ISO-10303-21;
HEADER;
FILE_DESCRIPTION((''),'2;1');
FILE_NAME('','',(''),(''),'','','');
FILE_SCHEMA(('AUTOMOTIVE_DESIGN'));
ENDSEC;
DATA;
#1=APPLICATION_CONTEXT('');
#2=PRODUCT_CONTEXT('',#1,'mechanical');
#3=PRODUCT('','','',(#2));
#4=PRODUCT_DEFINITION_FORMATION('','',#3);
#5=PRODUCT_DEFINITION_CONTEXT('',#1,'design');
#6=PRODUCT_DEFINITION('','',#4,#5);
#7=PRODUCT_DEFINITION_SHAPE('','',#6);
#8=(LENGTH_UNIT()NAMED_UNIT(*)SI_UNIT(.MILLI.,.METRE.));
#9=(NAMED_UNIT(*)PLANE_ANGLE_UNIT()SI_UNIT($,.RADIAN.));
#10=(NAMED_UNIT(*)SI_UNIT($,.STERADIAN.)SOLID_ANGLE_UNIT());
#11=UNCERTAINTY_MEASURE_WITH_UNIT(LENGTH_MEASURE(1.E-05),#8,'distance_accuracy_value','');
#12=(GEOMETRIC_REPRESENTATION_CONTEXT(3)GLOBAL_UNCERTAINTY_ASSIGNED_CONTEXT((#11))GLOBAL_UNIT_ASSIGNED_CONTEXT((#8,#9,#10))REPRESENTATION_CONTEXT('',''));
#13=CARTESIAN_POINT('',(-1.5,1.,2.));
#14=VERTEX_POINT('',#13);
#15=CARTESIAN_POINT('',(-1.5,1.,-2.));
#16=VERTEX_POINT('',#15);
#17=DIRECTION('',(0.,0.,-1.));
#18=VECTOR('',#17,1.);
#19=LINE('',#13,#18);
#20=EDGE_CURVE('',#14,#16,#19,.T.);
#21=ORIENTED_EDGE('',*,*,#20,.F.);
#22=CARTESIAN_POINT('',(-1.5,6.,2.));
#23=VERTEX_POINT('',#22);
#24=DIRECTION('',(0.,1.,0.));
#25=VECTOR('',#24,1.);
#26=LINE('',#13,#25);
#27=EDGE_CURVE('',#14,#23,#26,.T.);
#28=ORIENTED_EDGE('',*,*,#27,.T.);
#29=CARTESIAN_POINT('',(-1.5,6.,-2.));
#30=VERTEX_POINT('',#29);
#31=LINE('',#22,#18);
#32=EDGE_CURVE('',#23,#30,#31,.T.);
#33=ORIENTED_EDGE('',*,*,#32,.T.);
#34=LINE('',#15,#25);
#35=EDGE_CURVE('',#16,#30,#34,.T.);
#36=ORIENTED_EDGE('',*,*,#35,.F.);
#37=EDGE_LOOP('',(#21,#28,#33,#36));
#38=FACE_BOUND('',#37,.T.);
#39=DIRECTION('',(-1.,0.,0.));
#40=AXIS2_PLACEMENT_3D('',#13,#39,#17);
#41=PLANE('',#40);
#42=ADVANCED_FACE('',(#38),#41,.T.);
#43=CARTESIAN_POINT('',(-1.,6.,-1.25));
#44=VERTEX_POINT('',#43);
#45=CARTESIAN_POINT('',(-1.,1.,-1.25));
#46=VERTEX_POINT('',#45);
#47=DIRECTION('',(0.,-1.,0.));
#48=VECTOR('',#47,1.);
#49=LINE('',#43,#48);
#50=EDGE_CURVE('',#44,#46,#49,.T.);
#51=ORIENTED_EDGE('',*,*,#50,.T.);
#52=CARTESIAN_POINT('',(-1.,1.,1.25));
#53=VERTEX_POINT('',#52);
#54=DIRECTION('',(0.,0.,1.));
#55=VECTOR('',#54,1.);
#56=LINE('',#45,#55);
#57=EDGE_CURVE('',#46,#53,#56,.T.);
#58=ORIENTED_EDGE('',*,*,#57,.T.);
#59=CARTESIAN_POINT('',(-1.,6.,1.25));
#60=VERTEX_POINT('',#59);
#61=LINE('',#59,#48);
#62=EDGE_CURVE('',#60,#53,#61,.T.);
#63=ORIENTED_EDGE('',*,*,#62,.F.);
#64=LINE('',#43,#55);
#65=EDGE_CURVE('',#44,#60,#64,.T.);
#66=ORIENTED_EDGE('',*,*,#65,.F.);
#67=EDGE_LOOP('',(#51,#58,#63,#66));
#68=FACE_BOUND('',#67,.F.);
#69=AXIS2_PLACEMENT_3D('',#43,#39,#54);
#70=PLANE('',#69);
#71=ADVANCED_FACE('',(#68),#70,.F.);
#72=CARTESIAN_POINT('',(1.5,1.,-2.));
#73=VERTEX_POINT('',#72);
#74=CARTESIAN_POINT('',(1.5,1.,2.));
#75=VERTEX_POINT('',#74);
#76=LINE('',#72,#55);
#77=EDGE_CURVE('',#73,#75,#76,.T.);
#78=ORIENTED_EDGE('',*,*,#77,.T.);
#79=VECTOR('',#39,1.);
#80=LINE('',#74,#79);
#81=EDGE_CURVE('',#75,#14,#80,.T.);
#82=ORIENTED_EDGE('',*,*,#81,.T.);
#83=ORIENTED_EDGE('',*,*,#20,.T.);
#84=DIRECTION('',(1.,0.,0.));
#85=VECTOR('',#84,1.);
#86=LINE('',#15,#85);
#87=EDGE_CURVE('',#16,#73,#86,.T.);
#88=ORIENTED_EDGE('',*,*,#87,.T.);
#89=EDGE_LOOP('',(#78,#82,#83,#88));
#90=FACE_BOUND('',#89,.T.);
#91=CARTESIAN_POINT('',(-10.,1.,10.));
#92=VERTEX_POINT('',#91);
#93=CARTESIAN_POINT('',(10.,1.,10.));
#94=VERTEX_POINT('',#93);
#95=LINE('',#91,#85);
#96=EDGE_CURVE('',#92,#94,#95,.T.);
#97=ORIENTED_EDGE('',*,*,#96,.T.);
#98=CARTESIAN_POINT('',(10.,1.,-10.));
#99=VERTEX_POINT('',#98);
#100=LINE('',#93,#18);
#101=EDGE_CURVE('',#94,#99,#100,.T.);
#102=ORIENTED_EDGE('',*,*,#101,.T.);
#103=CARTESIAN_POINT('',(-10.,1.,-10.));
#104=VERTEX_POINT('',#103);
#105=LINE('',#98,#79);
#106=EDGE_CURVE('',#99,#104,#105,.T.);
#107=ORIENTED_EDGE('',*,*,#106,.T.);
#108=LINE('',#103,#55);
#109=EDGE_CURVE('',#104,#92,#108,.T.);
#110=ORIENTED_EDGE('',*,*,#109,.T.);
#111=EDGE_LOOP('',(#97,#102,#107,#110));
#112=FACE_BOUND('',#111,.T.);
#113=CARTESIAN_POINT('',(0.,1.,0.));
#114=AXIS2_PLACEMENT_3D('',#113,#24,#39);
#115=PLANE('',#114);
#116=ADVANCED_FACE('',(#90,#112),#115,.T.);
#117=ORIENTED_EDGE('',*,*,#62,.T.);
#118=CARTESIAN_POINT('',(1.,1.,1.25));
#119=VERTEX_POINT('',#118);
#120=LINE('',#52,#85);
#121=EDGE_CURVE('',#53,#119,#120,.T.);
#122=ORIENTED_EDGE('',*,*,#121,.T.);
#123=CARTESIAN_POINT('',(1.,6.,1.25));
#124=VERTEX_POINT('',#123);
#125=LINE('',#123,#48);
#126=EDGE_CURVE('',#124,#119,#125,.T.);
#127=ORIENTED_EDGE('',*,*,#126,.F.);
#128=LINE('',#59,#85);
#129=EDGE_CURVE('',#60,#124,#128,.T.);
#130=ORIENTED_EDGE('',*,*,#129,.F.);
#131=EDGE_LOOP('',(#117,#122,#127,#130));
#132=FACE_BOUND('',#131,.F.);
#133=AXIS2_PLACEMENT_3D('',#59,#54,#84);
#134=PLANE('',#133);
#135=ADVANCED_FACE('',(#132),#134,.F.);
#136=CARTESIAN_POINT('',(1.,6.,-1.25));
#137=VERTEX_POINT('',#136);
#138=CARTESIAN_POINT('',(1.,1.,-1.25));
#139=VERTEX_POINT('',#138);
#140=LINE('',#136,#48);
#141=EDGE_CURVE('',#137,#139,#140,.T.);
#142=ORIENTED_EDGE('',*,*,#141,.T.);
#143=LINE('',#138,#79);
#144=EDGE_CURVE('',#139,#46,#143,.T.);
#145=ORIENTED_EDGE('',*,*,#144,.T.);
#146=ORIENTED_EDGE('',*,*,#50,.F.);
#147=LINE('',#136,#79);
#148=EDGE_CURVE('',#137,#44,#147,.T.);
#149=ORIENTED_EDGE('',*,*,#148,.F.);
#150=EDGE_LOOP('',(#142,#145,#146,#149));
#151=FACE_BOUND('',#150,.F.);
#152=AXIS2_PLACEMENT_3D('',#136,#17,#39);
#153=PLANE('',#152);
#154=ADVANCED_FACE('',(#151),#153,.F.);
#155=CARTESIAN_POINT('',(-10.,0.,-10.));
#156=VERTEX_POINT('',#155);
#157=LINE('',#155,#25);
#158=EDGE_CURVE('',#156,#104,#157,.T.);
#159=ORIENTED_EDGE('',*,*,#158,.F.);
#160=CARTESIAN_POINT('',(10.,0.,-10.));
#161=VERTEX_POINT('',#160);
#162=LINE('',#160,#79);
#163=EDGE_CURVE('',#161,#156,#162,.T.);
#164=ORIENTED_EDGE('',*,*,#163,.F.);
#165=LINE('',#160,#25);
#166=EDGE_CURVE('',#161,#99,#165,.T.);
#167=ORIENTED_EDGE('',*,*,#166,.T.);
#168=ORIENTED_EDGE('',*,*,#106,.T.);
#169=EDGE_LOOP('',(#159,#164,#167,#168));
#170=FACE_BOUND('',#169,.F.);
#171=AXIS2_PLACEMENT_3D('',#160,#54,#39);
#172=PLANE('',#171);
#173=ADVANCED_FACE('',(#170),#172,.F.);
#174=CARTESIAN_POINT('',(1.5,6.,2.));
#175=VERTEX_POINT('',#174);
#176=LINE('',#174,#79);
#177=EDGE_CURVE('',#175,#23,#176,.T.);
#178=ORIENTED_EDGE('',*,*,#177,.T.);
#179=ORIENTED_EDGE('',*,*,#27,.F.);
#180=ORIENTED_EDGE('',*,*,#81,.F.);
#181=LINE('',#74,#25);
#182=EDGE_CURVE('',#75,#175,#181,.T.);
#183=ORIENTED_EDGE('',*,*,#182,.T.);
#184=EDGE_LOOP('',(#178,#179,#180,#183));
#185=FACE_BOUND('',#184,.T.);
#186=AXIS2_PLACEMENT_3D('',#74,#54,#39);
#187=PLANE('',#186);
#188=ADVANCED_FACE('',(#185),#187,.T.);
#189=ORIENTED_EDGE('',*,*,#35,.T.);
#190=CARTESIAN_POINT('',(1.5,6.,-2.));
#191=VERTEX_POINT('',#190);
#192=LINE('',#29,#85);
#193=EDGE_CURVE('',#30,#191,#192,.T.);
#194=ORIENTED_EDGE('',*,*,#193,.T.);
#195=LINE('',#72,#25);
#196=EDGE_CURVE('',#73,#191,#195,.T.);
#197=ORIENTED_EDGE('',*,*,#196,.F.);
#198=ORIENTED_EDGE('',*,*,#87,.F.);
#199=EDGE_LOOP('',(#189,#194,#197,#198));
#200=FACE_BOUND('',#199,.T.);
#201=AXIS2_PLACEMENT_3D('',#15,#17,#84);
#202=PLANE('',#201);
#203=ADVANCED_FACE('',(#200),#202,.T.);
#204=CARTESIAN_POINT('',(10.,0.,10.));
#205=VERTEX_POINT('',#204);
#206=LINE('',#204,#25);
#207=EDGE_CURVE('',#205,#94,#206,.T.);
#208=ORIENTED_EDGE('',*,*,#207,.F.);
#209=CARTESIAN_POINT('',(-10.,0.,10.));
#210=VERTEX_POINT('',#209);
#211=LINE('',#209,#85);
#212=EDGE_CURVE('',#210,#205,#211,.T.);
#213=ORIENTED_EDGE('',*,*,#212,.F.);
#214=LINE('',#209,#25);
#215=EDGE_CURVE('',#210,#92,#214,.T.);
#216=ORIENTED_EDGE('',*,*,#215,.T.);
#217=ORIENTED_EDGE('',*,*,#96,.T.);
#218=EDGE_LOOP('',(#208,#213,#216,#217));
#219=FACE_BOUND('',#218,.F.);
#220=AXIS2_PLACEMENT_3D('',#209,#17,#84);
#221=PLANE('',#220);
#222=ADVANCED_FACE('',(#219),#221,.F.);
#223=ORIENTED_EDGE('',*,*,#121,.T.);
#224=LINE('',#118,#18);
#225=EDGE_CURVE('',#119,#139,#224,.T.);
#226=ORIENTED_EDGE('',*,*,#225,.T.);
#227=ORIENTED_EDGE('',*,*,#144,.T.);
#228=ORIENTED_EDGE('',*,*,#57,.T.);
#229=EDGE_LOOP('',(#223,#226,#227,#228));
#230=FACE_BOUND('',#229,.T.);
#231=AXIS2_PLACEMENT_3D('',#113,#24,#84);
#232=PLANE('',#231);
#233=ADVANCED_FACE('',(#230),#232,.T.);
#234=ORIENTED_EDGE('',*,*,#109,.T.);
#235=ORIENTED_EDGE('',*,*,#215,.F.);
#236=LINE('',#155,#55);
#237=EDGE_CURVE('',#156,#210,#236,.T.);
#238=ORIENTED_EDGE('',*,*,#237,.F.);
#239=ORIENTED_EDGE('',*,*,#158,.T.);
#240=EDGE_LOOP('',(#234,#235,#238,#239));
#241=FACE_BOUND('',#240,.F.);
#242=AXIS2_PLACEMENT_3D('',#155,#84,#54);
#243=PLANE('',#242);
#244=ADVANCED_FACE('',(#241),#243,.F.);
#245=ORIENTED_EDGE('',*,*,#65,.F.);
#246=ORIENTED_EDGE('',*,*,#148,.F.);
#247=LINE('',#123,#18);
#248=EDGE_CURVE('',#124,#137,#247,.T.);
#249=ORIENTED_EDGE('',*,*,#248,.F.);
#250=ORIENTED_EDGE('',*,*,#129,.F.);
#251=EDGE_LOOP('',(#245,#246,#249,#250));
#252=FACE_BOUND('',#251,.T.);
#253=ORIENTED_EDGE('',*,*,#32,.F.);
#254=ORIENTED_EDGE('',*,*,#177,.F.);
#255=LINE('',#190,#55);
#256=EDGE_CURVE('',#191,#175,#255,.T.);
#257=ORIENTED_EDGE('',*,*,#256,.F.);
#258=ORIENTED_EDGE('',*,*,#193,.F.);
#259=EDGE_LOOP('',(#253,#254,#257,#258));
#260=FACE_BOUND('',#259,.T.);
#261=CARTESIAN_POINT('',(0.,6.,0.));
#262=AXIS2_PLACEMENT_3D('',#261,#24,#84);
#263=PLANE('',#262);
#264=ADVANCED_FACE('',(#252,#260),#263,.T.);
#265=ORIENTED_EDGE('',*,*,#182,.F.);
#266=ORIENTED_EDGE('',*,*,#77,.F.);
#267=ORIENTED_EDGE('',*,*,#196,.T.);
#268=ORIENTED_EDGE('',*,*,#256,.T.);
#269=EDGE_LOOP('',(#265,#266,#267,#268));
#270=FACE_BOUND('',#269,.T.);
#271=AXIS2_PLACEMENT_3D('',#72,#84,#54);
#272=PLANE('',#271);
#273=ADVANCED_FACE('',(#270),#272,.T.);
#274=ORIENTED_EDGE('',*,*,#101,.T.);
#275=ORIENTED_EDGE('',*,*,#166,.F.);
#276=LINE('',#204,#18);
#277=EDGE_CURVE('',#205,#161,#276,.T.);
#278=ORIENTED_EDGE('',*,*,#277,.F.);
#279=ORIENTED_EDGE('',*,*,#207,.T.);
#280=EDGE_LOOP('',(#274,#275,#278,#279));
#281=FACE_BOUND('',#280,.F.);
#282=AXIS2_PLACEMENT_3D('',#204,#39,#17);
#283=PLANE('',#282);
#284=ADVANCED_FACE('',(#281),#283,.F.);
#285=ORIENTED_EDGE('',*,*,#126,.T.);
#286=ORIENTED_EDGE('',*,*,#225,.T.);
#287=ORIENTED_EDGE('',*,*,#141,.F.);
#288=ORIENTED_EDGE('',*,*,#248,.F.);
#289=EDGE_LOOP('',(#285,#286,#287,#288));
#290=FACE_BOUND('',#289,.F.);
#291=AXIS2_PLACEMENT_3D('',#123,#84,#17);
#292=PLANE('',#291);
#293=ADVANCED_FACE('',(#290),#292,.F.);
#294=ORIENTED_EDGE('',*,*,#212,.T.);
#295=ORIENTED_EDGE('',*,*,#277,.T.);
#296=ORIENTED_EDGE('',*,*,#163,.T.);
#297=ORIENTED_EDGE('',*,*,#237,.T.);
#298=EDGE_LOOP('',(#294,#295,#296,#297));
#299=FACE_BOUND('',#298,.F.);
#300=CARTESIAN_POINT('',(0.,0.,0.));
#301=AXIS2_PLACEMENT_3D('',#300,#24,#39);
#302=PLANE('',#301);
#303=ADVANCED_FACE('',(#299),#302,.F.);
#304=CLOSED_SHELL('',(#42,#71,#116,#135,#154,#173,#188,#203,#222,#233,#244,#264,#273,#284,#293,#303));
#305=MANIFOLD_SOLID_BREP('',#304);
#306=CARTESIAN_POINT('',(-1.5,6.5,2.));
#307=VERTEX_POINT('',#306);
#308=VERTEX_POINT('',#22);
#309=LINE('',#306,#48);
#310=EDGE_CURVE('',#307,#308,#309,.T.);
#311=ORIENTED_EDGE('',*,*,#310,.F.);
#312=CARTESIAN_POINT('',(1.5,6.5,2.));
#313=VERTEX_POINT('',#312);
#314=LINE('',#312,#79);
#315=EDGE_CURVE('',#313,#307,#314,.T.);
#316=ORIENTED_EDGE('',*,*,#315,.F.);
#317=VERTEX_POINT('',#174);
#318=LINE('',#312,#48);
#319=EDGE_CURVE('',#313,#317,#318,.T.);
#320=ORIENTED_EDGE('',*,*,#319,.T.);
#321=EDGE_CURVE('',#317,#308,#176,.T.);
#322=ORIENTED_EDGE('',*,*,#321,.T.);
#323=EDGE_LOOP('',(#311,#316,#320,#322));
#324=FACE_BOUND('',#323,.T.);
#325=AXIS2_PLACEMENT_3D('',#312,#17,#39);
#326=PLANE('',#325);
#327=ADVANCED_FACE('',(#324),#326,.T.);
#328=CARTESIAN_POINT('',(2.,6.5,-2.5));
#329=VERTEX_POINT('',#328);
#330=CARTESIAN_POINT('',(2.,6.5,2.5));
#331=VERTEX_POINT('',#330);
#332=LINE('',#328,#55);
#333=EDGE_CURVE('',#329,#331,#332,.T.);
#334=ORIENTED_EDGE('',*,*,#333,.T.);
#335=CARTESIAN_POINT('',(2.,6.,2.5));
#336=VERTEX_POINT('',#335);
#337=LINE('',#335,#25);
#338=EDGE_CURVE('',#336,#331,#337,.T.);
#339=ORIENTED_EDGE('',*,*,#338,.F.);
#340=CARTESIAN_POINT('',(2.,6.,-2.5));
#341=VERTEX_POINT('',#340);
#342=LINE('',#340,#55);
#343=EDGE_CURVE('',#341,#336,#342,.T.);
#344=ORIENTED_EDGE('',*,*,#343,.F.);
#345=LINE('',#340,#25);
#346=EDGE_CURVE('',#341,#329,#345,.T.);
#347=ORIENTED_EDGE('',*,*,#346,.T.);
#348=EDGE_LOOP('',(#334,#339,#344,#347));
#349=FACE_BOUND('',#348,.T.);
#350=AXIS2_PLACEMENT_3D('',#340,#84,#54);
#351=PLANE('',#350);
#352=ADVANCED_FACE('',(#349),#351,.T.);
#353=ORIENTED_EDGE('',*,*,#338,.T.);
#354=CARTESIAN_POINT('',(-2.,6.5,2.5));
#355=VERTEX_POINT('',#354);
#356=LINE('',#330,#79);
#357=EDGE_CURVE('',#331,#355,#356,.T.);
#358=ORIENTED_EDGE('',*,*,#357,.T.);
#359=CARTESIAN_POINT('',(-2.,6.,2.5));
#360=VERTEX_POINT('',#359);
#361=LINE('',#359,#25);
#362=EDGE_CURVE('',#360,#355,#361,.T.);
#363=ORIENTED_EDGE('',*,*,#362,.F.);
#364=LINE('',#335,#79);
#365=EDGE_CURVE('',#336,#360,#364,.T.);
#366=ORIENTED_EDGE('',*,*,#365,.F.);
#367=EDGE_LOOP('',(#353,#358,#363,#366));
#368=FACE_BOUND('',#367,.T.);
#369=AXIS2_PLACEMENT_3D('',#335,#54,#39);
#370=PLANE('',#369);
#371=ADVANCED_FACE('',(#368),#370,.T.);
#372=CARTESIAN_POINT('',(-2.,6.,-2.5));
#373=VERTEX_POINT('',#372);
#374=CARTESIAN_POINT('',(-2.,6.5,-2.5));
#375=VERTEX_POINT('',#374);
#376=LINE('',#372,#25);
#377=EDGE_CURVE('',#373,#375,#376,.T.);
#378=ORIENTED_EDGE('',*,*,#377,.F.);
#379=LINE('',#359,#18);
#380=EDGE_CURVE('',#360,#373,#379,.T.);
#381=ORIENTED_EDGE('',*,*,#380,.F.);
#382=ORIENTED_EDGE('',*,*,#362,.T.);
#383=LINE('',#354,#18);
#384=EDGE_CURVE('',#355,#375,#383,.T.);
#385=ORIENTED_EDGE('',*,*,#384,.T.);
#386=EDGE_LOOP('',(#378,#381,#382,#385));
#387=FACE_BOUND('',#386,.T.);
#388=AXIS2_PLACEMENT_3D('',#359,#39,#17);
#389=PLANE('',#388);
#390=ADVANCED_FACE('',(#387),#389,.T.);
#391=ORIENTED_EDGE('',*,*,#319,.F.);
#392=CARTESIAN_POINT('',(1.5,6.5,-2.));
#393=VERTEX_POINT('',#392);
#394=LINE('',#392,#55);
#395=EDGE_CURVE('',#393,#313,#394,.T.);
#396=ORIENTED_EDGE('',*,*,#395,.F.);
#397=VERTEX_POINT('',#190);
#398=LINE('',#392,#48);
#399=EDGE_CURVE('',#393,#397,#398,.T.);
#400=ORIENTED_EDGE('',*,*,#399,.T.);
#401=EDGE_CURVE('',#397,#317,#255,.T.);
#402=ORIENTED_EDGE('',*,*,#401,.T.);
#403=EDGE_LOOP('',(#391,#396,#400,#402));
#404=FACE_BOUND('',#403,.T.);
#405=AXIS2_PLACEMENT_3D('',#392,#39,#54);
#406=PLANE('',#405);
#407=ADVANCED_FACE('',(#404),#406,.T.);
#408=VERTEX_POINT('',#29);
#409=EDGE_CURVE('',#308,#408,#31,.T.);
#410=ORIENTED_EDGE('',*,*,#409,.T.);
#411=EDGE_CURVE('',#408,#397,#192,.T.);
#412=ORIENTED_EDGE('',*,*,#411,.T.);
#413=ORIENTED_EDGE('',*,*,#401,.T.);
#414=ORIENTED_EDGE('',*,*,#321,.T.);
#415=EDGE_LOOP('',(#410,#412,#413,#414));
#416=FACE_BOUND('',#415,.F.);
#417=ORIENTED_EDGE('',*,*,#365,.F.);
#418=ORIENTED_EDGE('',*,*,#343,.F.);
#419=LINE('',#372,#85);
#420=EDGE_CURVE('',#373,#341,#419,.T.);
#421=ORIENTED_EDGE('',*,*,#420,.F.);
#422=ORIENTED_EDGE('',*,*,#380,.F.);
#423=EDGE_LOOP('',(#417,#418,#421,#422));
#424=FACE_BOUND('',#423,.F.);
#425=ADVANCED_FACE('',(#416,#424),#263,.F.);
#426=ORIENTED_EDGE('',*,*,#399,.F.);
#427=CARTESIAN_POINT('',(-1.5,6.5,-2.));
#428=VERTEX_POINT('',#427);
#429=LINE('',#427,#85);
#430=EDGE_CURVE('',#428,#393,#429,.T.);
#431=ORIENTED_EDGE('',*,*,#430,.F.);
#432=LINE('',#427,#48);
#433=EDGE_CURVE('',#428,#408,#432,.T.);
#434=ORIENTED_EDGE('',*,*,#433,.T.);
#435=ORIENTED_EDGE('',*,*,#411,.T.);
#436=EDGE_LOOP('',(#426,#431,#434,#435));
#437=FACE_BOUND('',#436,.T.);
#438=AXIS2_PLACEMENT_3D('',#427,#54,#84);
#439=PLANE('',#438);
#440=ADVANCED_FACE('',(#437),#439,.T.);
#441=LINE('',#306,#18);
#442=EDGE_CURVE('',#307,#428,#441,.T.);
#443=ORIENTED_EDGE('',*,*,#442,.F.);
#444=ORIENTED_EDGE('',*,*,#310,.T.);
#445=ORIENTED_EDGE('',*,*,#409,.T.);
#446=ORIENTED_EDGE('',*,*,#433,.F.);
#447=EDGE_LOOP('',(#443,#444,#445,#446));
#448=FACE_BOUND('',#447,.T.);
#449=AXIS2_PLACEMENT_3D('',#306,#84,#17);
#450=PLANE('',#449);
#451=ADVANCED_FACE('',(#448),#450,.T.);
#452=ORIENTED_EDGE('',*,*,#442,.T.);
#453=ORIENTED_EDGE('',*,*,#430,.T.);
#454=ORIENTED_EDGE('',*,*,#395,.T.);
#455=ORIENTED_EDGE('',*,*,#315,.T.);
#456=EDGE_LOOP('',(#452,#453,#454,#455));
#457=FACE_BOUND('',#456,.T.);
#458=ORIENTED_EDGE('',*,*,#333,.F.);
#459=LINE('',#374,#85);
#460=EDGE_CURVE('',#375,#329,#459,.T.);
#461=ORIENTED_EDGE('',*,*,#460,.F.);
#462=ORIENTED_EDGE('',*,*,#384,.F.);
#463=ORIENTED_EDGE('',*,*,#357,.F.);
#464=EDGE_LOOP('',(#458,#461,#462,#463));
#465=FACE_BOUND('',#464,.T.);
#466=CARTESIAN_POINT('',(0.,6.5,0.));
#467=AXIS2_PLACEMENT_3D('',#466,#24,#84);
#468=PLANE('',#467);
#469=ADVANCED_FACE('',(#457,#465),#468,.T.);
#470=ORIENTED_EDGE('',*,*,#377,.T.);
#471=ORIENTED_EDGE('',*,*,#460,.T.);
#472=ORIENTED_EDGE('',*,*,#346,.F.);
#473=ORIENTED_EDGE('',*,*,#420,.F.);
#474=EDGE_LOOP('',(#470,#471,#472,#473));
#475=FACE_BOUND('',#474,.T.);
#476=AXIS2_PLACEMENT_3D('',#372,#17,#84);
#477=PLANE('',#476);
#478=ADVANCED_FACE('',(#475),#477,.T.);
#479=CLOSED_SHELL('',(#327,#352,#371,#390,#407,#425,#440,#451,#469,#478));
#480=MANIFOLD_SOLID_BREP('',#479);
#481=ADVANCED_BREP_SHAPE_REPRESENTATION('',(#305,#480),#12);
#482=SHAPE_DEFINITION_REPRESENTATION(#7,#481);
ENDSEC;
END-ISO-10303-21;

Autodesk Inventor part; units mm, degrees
ref_plane "YZ Plane" through (0, 0, 0) normal (1, 0, 0) x (0, 1, 0)
ref_plane "XZ Plane" through (0, 0, 0) normal (0, 1, 0) x (-1, 0, 0)
ref_plane "XY Plane" through (0, 0, 0) normal (0, 0, 1) x (1, 0, 0)
sketch "草圖1" plane through (0, 0, 0) normal (0, 1, 0) x (-1, 0, 0)
  line L0 (10, 10) -> (-10, 10)
  line L1 (-10, 10) -> (-10, -10)
  line L2 (-10, -10) -> (10, -10)
  line L3 (10, -10) -> (10, 10)
  line L4 (10, 10) -> (-10, -10) construction
  line L5 (-10, 10) -> (10, -10) construction
  point P0 (0, 0)
  dimension "d0" = 20
  dimension "d1" = 20
extrude "擠出1" add sketch "草圖1" along normal blind 1
sketch "草圖2" plane through (0, 1, 0) normal (0, 1, 0) x (1, 0, 0)
  circle A0 centre (0, 0) radius 1
  line L0 (-1.5, 2) -> (1.5, 2)
  line L1 (1.5, 2) -> (1.5, -2)
  line L2 (1.5, -2) -> (-1.5, -2)
  line L3 (-1.5, -2) -> (-1.5, 2)
  line L4 (-1.5, 2) -> (1.5, -2) construction
  line L5 (1.5, 2) -> (-1.5, -2) construction
  dimension "d4" = 2
  dimension "d5" = 4
  dimension "d6" = 3
extrude "擠出2" add sketch "草圖2" along normal blind 5 contours A0 | L0 L1 L2 L3
sketch "草圖3" plane through (0, 6, 0) normal (0, 1, 0) x (1, 0, 0)
  line L0 (-1, -1.25) -> (1, -1.25)
  line L1 (1, -1.25) -> (1, 1.25)
  line L2 (1, 1.25) -> (-1, 1.25)
  line L3 (-1, 1.25) -> (-1, -1.25)
  line L4 (-1, -1.25) -> (1, 1.25) construction
  line L5 (1, -1.25) -> (-1, 1.25) construction
  point P0 (0, 0)
  dimension "d9" = 2.5
  dimension "d10" = 2
extrude "擠出3" cut sketch "草圖3" against normal blind 5
sketch "草圖4" plane through (0, 6, 0) normal (0, 1, 0) x (1, 0, 0)
  line L0 (-2, 2.5) -> (2, 2.5)
  line L1 (2, 2.5) -> (2, -2.5)
  line L2 (2, -2.5) -> (-2, -2.5)
  line L3 (-2, -2.5) -> (-2, 2.5)
  line L4 (-2, 2.5) -> (2, -2.5) construction
  line L5 (2, 2.5) -> (-2, -2.5) construction
  point P0 (0, 0)
  dimension "d13" = 4
  dimension "d14" = 5
extrude "擠出4" add sketch "草圖4" along normal blind 0.5
sketch "草圖5" plane through (0, 6.5, 0) normal (0, 1, 0) x (1, 0, 0)
  line L0 (1.5, 2) -> (1.5, -2) projected
  line L1 (-1.5, 2) -> (1.5, 2)
  line L2 (1.5, 2) -> (1.5, -2)
  line L3 (1.5, -2) -> (-1.5, -2)
  line L4 (-1.5, -2) -> (-1.5, 2)
  line L5 (-1.5, 2) -> (1.5, -2) construction
  line L6 (1.5, 2) -> (-1.5, -2) construction
  point P0 (0, 0)
extrude "擠出5" cut sketch "草圖5" against normal blind 0.5
properties part number "單線圈感測器"
